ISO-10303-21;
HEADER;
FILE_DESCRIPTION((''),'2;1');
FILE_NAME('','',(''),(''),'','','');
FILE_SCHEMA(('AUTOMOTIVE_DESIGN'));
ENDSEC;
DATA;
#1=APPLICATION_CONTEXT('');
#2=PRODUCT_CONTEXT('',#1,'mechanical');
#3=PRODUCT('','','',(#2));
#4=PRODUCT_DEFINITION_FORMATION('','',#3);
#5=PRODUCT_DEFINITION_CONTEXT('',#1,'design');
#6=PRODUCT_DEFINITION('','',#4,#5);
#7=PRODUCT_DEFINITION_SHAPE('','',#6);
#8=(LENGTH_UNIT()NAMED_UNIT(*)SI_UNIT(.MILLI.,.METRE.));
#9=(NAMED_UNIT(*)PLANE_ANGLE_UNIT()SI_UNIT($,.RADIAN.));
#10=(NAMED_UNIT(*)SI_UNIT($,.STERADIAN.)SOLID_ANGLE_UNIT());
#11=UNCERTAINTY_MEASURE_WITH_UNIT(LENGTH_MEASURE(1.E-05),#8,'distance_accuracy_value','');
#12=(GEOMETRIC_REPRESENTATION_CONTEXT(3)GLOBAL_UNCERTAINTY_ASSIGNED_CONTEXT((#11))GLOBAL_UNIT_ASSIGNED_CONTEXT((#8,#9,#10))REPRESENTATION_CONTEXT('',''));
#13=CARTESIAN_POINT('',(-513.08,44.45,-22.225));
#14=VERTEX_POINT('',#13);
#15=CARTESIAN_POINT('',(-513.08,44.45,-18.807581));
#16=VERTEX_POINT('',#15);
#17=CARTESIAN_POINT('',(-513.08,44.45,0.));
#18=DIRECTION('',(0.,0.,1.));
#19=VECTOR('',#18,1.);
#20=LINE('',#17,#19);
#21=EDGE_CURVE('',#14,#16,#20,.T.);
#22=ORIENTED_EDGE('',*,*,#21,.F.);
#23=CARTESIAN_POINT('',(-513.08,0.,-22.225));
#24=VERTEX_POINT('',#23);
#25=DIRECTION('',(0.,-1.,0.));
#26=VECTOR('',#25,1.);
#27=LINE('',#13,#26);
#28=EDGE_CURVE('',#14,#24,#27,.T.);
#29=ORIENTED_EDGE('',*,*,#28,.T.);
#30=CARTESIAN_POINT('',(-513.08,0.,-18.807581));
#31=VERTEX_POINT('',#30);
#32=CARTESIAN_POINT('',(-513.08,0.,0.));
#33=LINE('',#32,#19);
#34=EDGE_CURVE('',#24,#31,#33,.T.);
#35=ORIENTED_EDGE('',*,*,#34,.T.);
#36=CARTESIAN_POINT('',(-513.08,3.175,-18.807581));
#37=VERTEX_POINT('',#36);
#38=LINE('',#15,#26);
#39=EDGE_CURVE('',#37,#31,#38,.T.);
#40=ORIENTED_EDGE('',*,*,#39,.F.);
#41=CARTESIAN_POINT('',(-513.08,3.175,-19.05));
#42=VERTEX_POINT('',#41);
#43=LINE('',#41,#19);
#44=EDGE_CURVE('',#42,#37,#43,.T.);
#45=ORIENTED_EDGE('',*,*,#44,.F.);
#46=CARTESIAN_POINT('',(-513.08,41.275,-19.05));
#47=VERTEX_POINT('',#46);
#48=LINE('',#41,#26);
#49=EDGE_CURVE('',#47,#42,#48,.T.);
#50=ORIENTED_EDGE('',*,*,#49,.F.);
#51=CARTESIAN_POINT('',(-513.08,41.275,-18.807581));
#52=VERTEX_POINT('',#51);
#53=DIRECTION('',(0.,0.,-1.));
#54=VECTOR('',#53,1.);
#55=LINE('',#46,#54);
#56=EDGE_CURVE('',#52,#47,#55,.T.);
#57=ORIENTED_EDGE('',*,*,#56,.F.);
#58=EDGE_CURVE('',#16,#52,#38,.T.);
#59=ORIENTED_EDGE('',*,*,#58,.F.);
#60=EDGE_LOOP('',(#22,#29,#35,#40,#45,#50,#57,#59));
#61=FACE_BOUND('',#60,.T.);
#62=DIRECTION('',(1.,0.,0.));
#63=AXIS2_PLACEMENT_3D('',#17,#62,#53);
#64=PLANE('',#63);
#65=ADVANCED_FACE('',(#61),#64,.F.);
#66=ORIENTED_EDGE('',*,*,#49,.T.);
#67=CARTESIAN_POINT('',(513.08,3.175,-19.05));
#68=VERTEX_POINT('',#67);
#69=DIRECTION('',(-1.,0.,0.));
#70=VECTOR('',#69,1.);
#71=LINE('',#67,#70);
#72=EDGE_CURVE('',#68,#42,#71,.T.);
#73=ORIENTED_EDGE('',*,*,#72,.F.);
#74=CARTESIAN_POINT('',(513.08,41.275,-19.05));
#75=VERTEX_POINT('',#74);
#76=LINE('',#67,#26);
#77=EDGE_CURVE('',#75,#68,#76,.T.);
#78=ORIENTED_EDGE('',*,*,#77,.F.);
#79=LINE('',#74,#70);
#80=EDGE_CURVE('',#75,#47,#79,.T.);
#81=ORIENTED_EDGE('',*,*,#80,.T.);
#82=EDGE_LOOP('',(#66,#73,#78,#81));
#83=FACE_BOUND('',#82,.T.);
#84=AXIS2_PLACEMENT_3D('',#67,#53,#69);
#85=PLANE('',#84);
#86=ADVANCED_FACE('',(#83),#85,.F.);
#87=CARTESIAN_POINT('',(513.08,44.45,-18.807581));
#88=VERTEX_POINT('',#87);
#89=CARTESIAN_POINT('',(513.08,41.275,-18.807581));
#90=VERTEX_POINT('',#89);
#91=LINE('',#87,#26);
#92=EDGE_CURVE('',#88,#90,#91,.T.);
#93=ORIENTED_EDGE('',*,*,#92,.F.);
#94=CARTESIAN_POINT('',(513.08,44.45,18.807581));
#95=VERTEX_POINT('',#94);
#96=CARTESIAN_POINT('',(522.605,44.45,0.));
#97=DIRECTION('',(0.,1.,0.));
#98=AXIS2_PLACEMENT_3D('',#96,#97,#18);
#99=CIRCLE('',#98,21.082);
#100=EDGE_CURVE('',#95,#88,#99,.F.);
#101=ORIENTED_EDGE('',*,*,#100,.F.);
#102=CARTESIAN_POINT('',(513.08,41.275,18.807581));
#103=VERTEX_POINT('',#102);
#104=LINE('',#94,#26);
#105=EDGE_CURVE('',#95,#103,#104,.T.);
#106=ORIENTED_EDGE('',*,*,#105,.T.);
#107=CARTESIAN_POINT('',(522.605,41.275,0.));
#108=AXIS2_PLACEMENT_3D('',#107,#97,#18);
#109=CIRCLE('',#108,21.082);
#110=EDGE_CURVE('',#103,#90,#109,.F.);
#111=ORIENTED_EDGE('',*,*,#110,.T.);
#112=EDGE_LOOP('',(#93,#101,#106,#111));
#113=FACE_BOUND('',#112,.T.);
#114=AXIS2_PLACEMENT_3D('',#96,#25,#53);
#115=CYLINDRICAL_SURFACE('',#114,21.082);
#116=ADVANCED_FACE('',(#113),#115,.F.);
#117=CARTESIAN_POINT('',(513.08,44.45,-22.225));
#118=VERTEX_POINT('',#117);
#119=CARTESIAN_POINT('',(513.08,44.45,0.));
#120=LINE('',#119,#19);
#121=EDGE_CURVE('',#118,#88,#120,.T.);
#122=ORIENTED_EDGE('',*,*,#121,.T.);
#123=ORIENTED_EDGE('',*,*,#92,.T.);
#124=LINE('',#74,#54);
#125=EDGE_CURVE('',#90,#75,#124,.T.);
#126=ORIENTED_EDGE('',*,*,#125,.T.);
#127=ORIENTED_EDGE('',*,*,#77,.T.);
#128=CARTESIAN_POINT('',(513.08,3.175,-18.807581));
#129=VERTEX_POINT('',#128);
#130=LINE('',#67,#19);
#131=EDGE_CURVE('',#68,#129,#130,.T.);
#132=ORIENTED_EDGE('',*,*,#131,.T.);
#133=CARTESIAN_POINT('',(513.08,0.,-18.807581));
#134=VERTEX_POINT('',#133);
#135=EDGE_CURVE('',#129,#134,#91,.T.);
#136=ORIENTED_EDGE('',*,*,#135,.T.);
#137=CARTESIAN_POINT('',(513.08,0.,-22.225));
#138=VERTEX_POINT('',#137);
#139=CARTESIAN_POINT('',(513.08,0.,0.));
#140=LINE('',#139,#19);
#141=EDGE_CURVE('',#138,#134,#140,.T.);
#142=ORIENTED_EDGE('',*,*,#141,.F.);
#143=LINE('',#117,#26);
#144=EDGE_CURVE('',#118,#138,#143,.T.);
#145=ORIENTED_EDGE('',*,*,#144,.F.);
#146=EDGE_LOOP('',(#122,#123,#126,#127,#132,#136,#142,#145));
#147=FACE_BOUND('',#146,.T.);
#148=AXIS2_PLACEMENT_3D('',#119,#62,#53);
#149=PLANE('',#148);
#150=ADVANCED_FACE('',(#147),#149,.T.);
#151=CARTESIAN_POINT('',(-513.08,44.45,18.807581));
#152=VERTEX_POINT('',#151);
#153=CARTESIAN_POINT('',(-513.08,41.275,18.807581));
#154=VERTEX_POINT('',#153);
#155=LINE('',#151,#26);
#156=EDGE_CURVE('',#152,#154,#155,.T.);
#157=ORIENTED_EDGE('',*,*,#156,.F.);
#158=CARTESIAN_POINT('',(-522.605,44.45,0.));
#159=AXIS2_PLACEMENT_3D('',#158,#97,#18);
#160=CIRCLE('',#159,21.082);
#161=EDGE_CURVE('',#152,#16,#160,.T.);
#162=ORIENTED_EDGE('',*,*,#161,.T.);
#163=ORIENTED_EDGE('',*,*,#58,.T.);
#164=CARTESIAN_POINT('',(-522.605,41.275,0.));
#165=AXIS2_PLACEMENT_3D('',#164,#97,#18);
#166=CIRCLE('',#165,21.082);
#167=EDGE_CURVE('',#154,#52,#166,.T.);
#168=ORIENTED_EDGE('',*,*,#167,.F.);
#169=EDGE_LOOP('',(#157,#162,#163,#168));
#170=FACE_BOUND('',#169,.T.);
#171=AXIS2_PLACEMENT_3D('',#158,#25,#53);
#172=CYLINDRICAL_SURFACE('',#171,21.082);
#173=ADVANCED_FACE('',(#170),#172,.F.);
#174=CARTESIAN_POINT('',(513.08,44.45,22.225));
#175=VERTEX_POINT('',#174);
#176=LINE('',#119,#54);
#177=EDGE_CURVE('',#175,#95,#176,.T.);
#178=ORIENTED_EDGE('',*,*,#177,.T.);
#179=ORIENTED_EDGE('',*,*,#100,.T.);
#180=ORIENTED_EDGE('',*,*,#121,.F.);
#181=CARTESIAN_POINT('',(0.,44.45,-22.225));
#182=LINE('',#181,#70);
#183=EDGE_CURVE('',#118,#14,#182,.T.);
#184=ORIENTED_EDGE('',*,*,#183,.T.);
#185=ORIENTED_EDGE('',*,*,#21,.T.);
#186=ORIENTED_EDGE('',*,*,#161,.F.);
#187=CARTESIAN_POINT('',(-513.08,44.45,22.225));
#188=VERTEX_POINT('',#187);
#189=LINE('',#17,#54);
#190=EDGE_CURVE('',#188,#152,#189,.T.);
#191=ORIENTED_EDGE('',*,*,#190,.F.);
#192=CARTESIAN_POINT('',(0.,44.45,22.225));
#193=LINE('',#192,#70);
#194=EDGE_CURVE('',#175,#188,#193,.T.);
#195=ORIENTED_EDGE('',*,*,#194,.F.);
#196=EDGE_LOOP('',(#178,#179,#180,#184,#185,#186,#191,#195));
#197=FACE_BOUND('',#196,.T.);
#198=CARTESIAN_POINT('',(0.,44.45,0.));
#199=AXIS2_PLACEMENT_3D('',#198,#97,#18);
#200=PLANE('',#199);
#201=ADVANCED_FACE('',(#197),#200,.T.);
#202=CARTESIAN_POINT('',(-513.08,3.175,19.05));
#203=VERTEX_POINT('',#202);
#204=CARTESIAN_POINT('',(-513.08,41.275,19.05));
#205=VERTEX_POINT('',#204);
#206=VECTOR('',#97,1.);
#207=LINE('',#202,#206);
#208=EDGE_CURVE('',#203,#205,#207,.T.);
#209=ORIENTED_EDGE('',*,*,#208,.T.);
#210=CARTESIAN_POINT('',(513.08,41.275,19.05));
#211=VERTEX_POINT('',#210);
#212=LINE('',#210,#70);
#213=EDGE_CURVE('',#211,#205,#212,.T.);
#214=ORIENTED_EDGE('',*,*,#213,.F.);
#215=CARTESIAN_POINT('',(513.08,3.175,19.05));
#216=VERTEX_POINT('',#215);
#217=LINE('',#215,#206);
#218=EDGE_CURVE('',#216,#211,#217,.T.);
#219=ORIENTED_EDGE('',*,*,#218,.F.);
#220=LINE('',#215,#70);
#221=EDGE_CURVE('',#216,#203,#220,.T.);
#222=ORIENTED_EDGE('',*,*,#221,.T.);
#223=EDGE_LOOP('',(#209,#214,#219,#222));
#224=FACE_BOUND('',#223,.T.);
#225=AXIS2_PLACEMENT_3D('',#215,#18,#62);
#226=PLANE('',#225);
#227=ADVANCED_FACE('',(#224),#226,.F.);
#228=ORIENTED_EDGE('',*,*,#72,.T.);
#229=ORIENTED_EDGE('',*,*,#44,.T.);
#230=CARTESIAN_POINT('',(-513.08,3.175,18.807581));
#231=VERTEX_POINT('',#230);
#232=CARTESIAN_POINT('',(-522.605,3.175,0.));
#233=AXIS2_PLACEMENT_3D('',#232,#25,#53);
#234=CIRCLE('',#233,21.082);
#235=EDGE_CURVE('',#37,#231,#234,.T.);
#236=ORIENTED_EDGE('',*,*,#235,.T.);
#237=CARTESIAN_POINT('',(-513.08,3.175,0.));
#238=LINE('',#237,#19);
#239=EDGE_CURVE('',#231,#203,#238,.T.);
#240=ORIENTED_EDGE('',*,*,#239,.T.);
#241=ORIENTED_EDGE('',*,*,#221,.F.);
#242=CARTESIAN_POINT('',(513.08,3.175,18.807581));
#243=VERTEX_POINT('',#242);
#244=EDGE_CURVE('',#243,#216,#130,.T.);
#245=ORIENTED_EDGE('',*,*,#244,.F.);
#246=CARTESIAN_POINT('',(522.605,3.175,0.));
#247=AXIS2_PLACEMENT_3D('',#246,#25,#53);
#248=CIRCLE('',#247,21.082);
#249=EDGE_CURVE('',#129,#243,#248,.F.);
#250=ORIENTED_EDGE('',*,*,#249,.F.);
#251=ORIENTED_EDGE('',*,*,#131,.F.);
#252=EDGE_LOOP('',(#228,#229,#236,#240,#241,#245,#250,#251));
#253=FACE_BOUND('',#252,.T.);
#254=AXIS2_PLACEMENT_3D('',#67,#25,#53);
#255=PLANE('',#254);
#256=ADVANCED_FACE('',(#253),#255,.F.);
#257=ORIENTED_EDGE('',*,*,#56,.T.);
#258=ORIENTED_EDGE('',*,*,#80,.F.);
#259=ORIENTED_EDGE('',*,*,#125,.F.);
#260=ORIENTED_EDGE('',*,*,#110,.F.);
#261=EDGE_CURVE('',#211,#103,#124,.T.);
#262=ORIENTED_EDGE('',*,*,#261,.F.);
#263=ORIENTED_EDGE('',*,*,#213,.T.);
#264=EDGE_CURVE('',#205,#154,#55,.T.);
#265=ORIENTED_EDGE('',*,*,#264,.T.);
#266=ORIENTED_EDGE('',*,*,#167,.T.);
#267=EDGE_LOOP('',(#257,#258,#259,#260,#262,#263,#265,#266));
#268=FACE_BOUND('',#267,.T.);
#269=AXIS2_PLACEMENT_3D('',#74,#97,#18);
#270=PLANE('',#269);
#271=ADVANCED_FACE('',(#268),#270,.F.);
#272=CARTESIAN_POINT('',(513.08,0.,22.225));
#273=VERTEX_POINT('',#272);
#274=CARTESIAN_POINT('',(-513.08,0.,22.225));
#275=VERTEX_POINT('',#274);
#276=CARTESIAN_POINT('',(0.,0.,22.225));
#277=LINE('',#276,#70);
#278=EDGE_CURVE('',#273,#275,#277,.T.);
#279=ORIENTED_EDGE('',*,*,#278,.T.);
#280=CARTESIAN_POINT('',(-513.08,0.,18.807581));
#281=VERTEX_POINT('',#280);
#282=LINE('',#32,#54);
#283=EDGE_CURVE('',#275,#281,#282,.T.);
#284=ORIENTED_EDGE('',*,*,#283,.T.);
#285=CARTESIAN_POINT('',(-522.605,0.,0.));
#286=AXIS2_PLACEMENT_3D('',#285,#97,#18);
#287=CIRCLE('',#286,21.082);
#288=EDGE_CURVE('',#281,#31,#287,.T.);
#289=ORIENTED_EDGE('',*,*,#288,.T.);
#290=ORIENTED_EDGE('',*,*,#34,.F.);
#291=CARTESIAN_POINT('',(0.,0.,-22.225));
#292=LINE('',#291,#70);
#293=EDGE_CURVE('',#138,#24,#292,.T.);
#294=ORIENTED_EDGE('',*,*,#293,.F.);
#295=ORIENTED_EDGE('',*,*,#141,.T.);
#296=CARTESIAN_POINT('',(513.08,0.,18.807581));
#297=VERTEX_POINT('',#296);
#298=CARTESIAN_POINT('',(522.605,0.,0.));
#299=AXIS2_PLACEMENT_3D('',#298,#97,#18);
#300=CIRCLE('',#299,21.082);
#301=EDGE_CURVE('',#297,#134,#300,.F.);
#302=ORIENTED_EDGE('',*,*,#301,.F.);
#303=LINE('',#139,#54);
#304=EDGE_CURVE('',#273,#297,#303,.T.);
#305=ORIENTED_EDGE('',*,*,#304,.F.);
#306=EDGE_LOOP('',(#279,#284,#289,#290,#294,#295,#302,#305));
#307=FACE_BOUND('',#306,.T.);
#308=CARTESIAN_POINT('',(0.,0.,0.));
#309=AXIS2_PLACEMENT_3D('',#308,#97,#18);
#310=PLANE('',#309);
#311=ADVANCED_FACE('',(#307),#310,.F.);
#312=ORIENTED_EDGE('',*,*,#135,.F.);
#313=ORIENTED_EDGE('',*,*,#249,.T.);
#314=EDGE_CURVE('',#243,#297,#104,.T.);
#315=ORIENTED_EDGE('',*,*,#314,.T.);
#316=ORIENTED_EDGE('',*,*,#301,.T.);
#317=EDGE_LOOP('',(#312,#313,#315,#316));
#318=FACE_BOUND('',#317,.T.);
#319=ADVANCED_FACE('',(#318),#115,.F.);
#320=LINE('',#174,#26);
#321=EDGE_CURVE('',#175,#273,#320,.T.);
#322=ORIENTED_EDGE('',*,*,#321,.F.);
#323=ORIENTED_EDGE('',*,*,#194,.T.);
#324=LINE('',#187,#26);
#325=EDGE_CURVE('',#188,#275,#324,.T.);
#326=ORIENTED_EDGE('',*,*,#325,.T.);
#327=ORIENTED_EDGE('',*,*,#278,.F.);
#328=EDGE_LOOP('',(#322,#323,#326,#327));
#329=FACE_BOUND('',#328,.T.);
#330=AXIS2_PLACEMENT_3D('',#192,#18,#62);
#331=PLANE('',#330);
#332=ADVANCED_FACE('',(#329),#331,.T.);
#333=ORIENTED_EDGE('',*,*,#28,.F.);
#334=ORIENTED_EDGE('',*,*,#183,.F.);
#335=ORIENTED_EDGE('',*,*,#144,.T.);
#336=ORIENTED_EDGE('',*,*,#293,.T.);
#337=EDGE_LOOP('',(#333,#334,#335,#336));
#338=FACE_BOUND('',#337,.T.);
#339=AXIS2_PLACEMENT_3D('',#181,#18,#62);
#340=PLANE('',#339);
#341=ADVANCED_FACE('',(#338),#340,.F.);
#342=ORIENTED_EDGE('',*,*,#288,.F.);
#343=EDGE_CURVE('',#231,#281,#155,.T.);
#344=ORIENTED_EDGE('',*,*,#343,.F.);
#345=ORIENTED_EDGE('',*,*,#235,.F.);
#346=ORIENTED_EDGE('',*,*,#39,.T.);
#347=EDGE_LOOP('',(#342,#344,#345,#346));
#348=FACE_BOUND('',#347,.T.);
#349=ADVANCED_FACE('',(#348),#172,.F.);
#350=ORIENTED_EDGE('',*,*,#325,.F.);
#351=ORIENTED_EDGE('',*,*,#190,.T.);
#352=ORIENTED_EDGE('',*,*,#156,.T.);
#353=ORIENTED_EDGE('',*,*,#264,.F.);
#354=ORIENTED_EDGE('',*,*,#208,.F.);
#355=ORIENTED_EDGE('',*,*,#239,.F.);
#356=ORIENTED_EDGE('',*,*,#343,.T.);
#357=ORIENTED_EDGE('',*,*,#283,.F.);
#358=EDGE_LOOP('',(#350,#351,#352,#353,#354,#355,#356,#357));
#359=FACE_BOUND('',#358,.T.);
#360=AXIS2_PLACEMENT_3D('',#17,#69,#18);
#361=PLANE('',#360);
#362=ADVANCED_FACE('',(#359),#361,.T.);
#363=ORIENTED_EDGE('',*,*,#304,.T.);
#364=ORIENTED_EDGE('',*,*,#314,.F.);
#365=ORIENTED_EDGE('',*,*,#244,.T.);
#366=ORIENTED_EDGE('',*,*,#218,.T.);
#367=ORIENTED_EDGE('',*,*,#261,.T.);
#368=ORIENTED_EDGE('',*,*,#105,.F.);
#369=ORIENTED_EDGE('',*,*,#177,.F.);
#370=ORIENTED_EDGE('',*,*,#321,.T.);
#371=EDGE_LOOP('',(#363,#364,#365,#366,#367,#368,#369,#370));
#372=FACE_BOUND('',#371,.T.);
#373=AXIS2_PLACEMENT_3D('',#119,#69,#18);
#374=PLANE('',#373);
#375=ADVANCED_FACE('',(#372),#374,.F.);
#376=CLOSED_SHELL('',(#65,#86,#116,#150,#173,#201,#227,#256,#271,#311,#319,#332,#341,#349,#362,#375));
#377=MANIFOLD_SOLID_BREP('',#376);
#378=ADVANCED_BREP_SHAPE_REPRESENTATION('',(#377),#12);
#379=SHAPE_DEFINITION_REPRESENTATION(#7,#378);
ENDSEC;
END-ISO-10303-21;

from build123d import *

# Parameters (mm, degrees)
BOSS_EXTRUDE1_DEPTH = 44.45
SKETCH3_W           = 38.1
SKETCH3_H           = 38.1
CUT_EXTRUDE1_DEPTH  = 1027.16


with BuildPart() as part:
    # Sketch2 → Boss-Extrude1 (new body)
    with BuildSketch(Plane(origin=(0, 0, 0), x_dir=(1, 0, 0), z_dir=(0, 1, 0))):
        with BuildLine():
            Line((513.08, 18.807580892), (513.08, 22.225))
            Line((513.08, 22.225), (-513.08, 22.225))
            Line((-513.08, 22.225), (-513.08, 18.807580892))
            ThreePointArc((-513.08, 18.807580892), (-504.64314077, 11.037315661), (-501.523, 0))
            ThreePointArc((-501.523, 0), (-504.64314077, -11.037315661), (-513.08, -18.807580892))
            Line((-513.08, -18.807580892), (-513.08, -22.225))
            Line((-513.08, -22.225), (513.08, -22.225))
            Line((513.08, -22.225), (513.08, -18.807580892))
            ThreePointArc((513.08, -18.807580892), (501.523, 0), (513.08, 18.807580892))
        make_face()
    extrude(amount=BOSS_EXTRUDE1_DEPTH)

    # Sketch3 → Cut-Extrude1 (cut, through all)
    with BuildSketch(Plane.ZY.offset(513.08)):
        with Locations((0, 22.225)):
            Rectangle(SKETCH3_W, SKETCH3_H)
    extrude(amount=-CUT_EXTRUDE1_DEPTH, mode=Mode.SUBTRACT)


solid = part.part
